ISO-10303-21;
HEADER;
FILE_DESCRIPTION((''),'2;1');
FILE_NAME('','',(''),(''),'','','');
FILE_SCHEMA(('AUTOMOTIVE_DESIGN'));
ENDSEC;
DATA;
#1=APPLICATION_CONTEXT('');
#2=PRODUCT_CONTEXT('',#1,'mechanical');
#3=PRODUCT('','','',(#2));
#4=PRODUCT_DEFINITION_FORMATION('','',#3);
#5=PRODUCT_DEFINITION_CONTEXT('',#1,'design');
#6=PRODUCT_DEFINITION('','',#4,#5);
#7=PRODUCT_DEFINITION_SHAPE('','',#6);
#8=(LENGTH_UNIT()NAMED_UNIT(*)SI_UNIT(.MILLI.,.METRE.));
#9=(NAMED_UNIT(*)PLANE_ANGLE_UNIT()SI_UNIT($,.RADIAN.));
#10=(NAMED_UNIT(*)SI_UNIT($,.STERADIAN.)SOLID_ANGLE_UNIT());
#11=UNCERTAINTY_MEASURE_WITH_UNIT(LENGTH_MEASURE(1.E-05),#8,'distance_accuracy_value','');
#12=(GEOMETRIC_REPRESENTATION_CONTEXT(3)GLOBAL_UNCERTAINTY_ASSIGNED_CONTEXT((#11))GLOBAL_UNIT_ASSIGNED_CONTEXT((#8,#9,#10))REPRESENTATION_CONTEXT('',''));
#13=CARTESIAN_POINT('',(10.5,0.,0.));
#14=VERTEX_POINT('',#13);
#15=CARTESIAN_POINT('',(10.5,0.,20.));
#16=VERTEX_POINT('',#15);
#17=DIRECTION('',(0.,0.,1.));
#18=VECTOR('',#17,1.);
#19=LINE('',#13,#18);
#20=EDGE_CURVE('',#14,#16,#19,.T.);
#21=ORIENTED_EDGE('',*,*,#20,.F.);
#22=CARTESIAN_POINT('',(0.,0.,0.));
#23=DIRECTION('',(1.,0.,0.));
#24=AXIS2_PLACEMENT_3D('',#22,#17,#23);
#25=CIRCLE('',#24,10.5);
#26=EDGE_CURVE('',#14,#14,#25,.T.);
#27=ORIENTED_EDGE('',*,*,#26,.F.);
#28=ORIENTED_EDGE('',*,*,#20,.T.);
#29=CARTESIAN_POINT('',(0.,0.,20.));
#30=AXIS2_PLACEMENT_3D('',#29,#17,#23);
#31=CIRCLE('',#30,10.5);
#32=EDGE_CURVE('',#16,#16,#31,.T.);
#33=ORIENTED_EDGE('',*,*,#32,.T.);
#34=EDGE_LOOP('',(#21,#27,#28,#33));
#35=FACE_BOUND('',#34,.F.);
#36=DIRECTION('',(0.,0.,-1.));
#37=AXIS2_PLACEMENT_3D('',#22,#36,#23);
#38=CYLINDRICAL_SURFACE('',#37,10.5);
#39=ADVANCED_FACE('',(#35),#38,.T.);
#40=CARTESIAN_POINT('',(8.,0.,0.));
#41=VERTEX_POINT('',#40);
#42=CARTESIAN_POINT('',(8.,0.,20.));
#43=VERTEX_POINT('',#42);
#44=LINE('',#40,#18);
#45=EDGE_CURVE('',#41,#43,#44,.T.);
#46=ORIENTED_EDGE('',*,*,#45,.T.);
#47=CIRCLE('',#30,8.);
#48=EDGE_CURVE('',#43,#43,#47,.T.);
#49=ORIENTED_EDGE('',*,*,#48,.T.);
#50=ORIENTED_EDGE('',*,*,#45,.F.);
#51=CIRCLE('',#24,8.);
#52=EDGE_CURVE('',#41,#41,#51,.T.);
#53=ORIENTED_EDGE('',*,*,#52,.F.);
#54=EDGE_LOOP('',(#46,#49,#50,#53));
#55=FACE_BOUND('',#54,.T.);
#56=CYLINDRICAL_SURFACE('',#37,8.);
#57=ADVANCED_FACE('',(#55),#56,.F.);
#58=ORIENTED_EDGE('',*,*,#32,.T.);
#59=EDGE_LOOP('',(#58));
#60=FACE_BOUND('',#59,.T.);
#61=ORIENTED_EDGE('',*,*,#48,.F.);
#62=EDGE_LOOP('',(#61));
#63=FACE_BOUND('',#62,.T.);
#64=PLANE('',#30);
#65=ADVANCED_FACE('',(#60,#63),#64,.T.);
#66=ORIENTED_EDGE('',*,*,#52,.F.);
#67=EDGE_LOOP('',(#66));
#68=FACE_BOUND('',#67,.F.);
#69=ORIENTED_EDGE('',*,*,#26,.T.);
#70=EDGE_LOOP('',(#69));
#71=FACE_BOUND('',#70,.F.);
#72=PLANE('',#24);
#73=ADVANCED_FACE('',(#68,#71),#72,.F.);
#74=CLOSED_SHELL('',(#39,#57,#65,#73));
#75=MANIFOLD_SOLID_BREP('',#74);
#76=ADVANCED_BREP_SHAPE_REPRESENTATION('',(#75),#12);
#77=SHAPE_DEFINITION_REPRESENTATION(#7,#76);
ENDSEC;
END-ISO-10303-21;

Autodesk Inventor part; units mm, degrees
ref_plane "YZ Plane" through (0, 0, 0) normal (1, 0, 0) x (0, 1, 0)
ref_plane "XZ Plane" through (0, 0, 0) normal (0, 1, 0) x (-1, 0, 0)
ref_plane "XY Plane" through (0, 0, 0) normal (0, 0, 1) x (1, 0, 0)
sketch "Sketch1" plane through (0, 0, 0) normal (0, 0, 1) x (1, 0, 0)
  circle A0 centre (0, 0) radius 10.5
  circle A1 centre (0, 0) radius 8
  dimension "d0" = 21
  dimension "d1" = 16
extrude "Extrusion1" add sketch "Sketch1" along normal blind 20
properties part number "APN dummy pipe nippel"
